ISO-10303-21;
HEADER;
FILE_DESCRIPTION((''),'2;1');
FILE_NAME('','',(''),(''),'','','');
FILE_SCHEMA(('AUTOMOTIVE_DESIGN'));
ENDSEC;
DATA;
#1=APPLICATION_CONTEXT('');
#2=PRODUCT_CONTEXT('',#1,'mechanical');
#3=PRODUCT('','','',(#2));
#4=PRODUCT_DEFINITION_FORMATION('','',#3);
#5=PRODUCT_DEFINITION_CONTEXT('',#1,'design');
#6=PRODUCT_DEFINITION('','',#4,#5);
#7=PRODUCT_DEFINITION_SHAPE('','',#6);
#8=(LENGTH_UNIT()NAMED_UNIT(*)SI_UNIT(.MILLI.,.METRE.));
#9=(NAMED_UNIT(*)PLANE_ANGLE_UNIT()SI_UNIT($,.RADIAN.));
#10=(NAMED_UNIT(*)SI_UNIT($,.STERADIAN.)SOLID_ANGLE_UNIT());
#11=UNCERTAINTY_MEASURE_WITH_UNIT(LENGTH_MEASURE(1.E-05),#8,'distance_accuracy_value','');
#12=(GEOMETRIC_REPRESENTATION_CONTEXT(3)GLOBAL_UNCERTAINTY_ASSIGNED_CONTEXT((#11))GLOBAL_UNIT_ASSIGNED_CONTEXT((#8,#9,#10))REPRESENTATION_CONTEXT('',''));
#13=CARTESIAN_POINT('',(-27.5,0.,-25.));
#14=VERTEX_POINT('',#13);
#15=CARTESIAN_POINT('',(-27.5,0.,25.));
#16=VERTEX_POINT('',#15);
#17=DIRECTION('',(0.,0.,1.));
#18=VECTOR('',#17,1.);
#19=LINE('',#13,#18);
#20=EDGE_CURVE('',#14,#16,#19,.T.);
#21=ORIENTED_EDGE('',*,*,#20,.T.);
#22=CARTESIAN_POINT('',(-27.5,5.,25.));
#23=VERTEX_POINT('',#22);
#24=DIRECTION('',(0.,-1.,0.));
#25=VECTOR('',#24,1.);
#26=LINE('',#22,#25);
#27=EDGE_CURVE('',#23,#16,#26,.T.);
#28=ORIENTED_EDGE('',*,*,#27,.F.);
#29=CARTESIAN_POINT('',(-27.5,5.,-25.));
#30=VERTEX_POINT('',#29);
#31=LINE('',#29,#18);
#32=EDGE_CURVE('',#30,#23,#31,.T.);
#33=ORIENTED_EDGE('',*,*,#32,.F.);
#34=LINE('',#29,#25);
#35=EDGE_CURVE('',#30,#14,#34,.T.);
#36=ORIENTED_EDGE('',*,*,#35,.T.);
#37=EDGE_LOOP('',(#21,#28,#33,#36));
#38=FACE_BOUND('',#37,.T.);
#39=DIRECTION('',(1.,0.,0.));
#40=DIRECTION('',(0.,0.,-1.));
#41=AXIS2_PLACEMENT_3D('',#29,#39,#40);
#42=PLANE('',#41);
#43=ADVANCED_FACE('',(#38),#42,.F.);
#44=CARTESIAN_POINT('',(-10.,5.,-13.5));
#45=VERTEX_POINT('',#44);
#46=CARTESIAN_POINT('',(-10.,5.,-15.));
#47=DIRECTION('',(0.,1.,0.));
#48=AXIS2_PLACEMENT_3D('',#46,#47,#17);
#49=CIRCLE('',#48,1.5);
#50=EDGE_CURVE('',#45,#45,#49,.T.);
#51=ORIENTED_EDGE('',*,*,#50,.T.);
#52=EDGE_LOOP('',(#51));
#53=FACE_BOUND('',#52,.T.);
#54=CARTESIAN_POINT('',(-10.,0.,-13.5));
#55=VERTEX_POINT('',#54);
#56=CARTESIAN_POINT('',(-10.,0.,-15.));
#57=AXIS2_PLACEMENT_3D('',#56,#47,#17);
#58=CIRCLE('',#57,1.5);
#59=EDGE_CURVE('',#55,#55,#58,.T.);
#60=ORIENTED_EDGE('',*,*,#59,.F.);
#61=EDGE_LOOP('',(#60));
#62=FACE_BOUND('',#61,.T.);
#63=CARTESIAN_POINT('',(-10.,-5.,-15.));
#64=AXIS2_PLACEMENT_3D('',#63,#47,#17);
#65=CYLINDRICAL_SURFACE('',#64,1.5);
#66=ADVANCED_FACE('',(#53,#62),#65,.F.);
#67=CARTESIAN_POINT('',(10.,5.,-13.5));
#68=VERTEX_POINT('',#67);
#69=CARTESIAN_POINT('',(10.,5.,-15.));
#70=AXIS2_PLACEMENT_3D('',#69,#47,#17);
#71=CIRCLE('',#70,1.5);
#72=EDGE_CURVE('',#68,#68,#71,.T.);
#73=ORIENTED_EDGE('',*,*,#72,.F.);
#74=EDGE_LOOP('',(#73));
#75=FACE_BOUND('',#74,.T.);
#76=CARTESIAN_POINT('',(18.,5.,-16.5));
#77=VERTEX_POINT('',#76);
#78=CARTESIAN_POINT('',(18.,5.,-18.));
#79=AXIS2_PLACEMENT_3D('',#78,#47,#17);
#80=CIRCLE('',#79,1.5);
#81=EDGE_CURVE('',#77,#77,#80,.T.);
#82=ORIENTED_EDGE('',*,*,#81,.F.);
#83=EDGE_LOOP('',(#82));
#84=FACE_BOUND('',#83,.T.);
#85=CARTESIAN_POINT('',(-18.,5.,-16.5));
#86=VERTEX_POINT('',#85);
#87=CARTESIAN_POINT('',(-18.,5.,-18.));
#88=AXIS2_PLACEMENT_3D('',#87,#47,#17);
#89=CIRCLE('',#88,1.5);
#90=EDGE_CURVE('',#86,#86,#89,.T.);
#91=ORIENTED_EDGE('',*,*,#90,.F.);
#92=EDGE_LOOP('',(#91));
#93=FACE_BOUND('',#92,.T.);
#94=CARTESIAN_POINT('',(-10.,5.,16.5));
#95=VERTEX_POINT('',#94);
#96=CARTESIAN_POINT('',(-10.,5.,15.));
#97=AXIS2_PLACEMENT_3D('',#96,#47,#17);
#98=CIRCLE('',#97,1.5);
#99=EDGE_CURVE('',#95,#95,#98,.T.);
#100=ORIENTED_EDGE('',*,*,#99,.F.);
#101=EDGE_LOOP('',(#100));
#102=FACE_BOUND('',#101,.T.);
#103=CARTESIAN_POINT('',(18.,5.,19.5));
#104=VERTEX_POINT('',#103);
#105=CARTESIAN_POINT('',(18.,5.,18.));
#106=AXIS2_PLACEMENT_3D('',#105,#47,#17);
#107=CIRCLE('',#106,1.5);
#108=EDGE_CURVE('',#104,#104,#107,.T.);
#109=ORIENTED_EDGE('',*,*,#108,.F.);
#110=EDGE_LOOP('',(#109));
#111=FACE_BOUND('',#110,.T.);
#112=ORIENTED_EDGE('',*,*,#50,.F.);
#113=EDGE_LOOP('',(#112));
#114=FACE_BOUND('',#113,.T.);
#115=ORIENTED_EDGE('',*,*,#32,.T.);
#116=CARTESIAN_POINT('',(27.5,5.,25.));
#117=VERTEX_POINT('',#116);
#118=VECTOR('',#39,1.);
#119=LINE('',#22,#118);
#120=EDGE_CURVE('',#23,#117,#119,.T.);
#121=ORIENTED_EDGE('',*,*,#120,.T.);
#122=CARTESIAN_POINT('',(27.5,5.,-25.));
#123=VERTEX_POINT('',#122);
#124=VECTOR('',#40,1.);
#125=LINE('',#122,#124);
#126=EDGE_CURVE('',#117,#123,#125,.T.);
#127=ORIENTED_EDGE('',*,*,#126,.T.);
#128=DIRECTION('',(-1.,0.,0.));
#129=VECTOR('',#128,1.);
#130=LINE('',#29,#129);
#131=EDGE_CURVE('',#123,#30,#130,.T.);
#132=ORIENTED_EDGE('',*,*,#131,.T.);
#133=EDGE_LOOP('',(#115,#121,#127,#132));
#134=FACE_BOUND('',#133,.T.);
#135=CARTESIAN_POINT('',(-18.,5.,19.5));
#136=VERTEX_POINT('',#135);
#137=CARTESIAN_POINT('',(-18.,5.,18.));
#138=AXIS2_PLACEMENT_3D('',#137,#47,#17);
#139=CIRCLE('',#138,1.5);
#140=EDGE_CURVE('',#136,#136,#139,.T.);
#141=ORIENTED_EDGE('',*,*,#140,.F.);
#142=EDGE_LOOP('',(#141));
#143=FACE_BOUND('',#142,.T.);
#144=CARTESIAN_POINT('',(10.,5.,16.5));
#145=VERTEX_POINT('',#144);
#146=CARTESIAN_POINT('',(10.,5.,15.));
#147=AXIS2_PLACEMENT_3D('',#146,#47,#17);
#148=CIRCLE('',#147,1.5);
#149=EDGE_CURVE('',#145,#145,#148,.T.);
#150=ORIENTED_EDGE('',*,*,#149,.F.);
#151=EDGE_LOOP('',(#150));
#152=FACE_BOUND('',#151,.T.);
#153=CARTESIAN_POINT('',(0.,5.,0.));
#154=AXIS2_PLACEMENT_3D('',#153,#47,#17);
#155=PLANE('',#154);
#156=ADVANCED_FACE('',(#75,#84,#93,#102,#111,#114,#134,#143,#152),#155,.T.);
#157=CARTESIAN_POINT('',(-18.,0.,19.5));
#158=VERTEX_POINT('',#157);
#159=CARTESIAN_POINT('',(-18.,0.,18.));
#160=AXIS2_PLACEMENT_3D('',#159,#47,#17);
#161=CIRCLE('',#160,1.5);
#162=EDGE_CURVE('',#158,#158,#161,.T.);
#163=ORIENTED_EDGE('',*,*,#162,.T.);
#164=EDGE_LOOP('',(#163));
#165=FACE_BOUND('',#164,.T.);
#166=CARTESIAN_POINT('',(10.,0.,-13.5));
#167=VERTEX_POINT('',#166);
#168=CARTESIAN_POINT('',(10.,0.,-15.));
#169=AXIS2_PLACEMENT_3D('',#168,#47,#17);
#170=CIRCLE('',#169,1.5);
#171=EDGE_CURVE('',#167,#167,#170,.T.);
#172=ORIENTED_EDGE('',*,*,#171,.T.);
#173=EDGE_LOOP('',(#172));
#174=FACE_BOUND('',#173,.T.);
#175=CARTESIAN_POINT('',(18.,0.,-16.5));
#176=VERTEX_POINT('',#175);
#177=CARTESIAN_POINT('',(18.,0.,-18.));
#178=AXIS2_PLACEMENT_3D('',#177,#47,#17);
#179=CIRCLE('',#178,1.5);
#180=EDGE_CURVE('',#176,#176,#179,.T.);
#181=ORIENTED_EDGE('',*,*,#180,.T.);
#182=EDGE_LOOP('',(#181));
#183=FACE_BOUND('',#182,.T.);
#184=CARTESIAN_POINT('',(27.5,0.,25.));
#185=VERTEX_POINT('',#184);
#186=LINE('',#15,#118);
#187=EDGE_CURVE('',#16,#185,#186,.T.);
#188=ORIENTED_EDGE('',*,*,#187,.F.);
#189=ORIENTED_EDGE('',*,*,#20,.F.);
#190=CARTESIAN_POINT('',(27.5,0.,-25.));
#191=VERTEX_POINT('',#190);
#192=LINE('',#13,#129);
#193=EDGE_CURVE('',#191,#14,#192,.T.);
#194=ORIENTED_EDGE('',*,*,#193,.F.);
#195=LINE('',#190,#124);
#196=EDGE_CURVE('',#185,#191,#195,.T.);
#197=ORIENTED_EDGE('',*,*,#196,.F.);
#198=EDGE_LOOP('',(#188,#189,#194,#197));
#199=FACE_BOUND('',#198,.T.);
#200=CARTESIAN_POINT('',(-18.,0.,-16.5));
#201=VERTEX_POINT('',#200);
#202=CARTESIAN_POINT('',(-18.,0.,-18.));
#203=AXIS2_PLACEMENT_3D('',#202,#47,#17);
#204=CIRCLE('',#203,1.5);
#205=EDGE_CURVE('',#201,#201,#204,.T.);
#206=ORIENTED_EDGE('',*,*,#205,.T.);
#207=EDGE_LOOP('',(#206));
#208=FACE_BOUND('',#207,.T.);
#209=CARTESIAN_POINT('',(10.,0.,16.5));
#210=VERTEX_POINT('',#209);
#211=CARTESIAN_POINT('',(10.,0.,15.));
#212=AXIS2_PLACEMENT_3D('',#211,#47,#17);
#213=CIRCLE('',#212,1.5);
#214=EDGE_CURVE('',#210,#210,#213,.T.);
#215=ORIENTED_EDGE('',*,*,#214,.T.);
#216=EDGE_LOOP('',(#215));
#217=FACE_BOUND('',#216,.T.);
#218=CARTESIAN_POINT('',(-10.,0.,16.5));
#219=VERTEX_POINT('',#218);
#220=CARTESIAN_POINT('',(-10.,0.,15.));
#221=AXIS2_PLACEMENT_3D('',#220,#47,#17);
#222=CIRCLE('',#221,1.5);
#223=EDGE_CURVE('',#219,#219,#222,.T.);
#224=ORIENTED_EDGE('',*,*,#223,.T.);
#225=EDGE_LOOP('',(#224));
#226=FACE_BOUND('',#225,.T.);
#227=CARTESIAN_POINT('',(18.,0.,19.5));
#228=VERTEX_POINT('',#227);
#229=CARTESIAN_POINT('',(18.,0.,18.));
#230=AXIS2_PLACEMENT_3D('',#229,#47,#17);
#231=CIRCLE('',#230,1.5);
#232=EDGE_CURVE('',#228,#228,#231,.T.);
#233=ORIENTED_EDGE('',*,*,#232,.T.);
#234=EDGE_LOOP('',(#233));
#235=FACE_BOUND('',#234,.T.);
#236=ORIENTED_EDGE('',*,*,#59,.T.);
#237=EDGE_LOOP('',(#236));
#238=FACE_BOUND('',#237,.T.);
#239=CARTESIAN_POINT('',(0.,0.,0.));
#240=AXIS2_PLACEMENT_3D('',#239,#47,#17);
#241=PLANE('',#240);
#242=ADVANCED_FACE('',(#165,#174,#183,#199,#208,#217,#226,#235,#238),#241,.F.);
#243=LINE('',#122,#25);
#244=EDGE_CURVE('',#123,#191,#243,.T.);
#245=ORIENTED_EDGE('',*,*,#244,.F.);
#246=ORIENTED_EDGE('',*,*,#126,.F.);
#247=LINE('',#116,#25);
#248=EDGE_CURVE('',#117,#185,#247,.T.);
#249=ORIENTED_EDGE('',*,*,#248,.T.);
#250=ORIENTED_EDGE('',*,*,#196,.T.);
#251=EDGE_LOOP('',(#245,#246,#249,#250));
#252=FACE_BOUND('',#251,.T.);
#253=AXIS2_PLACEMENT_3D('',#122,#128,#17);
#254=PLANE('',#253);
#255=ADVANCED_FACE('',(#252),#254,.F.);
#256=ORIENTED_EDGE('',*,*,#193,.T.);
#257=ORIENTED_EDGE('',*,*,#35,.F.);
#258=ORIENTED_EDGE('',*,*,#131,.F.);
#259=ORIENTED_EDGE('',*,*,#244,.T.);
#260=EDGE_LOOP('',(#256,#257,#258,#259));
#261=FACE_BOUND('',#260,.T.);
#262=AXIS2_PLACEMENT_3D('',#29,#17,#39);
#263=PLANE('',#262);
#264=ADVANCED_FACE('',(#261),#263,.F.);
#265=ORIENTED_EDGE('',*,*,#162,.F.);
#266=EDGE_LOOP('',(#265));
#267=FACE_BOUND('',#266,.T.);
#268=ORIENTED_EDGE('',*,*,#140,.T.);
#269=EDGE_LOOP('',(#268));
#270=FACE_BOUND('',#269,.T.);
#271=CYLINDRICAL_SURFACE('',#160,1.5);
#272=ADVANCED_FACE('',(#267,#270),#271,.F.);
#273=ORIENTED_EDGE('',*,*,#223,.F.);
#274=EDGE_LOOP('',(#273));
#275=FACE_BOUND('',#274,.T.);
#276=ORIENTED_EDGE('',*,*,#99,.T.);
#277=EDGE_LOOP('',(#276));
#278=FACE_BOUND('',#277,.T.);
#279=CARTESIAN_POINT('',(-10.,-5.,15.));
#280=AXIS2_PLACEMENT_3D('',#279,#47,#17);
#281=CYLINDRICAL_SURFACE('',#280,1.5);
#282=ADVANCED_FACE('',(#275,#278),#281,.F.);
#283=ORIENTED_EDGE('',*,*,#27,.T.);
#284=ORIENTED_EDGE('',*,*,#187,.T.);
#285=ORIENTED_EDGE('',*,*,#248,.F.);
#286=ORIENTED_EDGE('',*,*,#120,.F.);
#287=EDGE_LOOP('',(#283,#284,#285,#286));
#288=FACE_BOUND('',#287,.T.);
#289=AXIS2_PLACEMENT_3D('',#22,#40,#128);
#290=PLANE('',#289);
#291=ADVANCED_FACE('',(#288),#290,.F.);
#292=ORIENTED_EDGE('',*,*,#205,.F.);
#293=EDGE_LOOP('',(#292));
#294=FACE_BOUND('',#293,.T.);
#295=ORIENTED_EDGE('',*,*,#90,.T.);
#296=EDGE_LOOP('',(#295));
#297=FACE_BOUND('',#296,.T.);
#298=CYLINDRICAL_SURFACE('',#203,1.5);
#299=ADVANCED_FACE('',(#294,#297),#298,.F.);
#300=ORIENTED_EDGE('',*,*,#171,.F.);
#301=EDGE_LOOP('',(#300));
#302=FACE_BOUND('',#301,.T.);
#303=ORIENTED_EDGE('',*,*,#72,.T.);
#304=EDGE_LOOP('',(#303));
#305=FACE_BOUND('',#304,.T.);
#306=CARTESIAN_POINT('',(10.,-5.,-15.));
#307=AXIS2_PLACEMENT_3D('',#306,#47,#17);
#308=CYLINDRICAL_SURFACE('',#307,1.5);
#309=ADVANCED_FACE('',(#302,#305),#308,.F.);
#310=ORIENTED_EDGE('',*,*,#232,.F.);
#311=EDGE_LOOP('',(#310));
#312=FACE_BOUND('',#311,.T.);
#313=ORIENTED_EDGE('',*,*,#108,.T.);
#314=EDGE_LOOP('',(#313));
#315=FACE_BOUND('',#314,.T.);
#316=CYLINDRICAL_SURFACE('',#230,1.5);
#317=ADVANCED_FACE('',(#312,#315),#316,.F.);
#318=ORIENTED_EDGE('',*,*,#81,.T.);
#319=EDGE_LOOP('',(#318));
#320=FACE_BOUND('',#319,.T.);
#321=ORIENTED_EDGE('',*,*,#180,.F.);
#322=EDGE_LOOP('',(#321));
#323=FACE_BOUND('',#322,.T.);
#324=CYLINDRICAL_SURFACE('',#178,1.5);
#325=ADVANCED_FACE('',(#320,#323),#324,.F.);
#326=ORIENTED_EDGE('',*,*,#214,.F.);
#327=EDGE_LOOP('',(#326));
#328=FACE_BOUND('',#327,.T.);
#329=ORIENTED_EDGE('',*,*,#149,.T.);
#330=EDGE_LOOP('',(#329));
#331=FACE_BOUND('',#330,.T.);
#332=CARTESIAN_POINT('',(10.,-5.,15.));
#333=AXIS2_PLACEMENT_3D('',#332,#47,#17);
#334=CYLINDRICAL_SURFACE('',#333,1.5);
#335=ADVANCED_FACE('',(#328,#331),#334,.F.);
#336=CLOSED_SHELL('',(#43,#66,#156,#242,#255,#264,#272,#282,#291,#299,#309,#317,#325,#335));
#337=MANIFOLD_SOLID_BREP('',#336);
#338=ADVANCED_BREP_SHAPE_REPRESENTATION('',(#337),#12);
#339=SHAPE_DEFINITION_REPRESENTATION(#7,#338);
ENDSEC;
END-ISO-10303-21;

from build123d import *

# Parameters (mm, degrees)
SKETCH_1_W          = 55
SKETCH_1_H          = 50
EXTRUDE_1_DEPTH     = 5
SKETCH_2_R          = 1.5
CUT_EXTRUDE_1_DEPTH = 38.5
SKETCH_5_R          = 1.5
CUT_EXTRUDE_2_DEPTH = 10


with BuildPart() as part:
    # 草图1 → 凸台-拉伸1 (new body)
    with BuildSketch(Plane(origin=(0, 0, 0), x_dir=(1, 0, 0), z_dir=(0, 1, 0))):
        Rectangle(SKETCH_1_W, SKETCH_1_H)
    extrude(amount=EXTRUDE_1_DEPTH)

    # 草图2 → 切除-拉伸1 (cut, through all)
    with BuildSketch(Plane(origin=(0, 5, 0), x_dir=(1, 0, 0), z_dir=(0, 1, 0))):
        with Locations(Location((-18, 18, 0), (0, 0, 270))):
            Circle(SKETCH_2_R)
        with Locations(Location((18, 18, 0), (0, 0, 270))):
            Circle(SKETCH_2_R)
        with Locations(Location((18, -18, 0), (0, 0, 270))):
            Circle(SKETCH_2_R)
        with Locations(Location((-18, -18, 0), (0, 0, 270))):
            Circle(SKETCH_2_R)
    extrude(amount=-CUT_EXTRUDE_1_DEPTH, mode=Mode.SUBTRACT)

    # 草图5 → 切除-拉伸2 (cut)
    with BuildSketch(Plane(origin=(0, 5, 0), x_dir=(1, 0, 0), z_dir=(0, 1, 0))):
        with Locations(Location((-10, 15, 0), (0, 0, 270))):
            Circle(SKETCH_5_R)
        with Locations(Location((10, 15, 0), (0, 0, 270))):
            Circle(SKETCH_5_R)
        with Locations(Location((10, -15, 0), (0, 0, 270))):
            Circle(SKETCH_5_R)
        with Locations(Location((-10, -15, 0), (0, 0, 270))):
            Circle(SKETCH_5_R)
    extrude(amount=-CUT_EXTRUDE_2_DEPTH, mode=Mode.SUBTRACT)


solid = part.part
